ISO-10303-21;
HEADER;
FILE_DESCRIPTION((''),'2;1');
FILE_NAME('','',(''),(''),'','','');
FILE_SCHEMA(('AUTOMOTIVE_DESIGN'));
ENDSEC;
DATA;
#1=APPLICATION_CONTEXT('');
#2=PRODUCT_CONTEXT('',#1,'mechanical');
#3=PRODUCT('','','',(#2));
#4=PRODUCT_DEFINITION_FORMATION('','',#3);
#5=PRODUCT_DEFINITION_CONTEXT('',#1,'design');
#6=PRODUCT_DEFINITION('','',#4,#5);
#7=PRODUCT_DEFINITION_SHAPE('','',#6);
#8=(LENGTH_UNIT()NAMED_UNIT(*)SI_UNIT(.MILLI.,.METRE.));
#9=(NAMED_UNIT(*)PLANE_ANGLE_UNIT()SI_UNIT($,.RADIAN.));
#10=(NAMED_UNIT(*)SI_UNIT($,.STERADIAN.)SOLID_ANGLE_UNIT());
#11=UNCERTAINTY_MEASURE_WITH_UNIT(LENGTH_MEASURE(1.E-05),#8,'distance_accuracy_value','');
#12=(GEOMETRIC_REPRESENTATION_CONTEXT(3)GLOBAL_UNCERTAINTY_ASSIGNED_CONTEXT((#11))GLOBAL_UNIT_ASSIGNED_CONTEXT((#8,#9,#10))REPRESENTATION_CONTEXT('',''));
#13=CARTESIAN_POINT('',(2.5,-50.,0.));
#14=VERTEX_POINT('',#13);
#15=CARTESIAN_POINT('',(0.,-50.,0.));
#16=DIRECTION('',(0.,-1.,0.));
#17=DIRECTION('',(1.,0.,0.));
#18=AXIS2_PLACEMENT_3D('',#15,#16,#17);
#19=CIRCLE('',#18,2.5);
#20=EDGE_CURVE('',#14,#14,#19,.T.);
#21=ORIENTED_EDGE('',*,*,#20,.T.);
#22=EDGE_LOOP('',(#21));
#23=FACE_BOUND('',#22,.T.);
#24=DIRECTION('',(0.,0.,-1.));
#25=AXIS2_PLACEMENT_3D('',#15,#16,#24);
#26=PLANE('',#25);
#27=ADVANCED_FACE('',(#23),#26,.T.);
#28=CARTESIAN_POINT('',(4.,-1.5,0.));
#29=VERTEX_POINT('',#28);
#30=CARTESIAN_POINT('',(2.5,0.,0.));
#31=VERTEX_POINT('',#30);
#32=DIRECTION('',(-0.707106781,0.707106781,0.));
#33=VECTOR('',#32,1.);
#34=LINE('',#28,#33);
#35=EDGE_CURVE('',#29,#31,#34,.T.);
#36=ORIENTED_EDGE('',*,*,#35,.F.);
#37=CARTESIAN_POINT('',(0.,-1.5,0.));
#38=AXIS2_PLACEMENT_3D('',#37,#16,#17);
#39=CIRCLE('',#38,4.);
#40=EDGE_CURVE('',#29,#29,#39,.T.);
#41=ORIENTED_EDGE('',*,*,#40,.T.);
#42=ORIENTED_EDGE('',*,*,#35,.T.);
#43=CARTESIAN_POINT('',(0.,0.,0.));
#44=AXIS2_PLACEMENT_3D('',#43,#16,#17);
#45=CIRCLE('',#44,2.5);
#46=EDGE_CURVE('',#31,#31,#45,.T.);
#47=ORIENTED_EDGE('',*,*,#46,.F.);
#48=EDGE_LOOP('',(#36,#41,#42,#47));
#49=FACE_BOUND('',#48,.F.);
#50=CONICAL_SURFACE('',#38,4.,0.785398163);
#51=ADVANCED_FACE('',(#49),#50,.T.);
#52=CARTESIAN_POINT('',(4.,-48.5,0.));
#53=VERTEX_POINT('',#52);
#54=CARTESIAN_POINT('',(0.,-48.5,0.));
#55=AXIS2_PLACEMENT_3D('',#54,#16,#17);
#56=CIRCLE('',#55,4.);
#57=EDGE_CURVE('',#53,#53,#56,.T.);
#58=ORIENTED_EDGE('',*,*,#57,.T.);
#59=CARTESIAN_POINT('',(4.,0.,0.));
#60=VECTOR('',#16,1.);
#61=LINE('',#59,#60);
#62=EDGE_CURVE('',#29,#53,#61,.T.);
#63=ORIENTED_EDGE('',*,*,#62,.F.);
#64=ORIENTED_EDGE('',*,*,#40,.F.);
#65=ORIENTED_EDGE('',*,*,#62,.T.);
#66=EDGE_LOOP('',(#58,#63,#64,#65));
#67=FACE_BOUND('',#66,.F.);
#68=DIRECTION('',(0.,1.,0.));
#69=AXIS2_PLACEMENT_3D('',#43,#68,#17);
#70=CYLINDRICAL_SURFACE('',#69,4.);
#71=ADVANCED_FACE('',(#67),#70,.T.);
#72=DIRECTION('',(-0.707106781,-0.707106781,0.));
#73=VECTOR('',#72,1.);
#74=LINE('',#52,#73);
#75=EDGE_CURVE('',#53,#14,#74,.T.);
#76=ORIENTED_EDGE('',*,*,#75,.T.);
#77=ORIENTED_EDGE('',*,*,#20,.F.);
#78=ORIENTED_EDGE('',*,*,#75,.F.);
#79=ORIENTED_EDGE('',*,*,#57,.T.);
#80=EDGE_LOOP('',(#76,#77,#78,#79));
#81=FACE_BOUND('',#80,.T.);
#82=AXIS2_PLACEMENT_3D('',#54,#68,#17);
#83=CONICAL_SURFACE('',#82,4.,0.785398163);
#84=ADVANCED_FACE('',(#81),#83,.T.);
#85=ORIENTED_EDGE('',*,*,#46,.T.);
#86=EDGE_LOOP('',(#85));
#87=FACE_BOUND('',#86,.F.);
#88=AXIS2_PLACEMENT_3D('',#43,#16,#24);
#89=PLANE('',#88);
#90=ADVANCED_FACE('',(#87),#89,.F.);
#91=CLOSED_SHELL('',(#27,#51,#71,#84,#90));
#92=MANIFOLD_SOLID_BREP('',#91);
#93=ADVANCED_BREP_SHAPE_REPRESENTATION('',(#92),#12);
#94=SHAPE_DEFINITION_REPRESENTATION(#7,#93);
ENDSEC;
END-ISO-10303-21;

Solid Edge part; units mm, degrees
sketch "Sketch1" plane through (0, 0, 0) normal (0, -1, 0) x (1, 0, 0)
  circle A0 centre (0, 0) radius 4
  dimension "D1" = 8
extrude "Protrusion1" add sketch "Sketch1" along normal blind 50
chamfer "Fase_1" distance 1.5 angle 45 2 edges at (-4, -50, 0) (-4, 0, 0)
properties material "Stahl"
